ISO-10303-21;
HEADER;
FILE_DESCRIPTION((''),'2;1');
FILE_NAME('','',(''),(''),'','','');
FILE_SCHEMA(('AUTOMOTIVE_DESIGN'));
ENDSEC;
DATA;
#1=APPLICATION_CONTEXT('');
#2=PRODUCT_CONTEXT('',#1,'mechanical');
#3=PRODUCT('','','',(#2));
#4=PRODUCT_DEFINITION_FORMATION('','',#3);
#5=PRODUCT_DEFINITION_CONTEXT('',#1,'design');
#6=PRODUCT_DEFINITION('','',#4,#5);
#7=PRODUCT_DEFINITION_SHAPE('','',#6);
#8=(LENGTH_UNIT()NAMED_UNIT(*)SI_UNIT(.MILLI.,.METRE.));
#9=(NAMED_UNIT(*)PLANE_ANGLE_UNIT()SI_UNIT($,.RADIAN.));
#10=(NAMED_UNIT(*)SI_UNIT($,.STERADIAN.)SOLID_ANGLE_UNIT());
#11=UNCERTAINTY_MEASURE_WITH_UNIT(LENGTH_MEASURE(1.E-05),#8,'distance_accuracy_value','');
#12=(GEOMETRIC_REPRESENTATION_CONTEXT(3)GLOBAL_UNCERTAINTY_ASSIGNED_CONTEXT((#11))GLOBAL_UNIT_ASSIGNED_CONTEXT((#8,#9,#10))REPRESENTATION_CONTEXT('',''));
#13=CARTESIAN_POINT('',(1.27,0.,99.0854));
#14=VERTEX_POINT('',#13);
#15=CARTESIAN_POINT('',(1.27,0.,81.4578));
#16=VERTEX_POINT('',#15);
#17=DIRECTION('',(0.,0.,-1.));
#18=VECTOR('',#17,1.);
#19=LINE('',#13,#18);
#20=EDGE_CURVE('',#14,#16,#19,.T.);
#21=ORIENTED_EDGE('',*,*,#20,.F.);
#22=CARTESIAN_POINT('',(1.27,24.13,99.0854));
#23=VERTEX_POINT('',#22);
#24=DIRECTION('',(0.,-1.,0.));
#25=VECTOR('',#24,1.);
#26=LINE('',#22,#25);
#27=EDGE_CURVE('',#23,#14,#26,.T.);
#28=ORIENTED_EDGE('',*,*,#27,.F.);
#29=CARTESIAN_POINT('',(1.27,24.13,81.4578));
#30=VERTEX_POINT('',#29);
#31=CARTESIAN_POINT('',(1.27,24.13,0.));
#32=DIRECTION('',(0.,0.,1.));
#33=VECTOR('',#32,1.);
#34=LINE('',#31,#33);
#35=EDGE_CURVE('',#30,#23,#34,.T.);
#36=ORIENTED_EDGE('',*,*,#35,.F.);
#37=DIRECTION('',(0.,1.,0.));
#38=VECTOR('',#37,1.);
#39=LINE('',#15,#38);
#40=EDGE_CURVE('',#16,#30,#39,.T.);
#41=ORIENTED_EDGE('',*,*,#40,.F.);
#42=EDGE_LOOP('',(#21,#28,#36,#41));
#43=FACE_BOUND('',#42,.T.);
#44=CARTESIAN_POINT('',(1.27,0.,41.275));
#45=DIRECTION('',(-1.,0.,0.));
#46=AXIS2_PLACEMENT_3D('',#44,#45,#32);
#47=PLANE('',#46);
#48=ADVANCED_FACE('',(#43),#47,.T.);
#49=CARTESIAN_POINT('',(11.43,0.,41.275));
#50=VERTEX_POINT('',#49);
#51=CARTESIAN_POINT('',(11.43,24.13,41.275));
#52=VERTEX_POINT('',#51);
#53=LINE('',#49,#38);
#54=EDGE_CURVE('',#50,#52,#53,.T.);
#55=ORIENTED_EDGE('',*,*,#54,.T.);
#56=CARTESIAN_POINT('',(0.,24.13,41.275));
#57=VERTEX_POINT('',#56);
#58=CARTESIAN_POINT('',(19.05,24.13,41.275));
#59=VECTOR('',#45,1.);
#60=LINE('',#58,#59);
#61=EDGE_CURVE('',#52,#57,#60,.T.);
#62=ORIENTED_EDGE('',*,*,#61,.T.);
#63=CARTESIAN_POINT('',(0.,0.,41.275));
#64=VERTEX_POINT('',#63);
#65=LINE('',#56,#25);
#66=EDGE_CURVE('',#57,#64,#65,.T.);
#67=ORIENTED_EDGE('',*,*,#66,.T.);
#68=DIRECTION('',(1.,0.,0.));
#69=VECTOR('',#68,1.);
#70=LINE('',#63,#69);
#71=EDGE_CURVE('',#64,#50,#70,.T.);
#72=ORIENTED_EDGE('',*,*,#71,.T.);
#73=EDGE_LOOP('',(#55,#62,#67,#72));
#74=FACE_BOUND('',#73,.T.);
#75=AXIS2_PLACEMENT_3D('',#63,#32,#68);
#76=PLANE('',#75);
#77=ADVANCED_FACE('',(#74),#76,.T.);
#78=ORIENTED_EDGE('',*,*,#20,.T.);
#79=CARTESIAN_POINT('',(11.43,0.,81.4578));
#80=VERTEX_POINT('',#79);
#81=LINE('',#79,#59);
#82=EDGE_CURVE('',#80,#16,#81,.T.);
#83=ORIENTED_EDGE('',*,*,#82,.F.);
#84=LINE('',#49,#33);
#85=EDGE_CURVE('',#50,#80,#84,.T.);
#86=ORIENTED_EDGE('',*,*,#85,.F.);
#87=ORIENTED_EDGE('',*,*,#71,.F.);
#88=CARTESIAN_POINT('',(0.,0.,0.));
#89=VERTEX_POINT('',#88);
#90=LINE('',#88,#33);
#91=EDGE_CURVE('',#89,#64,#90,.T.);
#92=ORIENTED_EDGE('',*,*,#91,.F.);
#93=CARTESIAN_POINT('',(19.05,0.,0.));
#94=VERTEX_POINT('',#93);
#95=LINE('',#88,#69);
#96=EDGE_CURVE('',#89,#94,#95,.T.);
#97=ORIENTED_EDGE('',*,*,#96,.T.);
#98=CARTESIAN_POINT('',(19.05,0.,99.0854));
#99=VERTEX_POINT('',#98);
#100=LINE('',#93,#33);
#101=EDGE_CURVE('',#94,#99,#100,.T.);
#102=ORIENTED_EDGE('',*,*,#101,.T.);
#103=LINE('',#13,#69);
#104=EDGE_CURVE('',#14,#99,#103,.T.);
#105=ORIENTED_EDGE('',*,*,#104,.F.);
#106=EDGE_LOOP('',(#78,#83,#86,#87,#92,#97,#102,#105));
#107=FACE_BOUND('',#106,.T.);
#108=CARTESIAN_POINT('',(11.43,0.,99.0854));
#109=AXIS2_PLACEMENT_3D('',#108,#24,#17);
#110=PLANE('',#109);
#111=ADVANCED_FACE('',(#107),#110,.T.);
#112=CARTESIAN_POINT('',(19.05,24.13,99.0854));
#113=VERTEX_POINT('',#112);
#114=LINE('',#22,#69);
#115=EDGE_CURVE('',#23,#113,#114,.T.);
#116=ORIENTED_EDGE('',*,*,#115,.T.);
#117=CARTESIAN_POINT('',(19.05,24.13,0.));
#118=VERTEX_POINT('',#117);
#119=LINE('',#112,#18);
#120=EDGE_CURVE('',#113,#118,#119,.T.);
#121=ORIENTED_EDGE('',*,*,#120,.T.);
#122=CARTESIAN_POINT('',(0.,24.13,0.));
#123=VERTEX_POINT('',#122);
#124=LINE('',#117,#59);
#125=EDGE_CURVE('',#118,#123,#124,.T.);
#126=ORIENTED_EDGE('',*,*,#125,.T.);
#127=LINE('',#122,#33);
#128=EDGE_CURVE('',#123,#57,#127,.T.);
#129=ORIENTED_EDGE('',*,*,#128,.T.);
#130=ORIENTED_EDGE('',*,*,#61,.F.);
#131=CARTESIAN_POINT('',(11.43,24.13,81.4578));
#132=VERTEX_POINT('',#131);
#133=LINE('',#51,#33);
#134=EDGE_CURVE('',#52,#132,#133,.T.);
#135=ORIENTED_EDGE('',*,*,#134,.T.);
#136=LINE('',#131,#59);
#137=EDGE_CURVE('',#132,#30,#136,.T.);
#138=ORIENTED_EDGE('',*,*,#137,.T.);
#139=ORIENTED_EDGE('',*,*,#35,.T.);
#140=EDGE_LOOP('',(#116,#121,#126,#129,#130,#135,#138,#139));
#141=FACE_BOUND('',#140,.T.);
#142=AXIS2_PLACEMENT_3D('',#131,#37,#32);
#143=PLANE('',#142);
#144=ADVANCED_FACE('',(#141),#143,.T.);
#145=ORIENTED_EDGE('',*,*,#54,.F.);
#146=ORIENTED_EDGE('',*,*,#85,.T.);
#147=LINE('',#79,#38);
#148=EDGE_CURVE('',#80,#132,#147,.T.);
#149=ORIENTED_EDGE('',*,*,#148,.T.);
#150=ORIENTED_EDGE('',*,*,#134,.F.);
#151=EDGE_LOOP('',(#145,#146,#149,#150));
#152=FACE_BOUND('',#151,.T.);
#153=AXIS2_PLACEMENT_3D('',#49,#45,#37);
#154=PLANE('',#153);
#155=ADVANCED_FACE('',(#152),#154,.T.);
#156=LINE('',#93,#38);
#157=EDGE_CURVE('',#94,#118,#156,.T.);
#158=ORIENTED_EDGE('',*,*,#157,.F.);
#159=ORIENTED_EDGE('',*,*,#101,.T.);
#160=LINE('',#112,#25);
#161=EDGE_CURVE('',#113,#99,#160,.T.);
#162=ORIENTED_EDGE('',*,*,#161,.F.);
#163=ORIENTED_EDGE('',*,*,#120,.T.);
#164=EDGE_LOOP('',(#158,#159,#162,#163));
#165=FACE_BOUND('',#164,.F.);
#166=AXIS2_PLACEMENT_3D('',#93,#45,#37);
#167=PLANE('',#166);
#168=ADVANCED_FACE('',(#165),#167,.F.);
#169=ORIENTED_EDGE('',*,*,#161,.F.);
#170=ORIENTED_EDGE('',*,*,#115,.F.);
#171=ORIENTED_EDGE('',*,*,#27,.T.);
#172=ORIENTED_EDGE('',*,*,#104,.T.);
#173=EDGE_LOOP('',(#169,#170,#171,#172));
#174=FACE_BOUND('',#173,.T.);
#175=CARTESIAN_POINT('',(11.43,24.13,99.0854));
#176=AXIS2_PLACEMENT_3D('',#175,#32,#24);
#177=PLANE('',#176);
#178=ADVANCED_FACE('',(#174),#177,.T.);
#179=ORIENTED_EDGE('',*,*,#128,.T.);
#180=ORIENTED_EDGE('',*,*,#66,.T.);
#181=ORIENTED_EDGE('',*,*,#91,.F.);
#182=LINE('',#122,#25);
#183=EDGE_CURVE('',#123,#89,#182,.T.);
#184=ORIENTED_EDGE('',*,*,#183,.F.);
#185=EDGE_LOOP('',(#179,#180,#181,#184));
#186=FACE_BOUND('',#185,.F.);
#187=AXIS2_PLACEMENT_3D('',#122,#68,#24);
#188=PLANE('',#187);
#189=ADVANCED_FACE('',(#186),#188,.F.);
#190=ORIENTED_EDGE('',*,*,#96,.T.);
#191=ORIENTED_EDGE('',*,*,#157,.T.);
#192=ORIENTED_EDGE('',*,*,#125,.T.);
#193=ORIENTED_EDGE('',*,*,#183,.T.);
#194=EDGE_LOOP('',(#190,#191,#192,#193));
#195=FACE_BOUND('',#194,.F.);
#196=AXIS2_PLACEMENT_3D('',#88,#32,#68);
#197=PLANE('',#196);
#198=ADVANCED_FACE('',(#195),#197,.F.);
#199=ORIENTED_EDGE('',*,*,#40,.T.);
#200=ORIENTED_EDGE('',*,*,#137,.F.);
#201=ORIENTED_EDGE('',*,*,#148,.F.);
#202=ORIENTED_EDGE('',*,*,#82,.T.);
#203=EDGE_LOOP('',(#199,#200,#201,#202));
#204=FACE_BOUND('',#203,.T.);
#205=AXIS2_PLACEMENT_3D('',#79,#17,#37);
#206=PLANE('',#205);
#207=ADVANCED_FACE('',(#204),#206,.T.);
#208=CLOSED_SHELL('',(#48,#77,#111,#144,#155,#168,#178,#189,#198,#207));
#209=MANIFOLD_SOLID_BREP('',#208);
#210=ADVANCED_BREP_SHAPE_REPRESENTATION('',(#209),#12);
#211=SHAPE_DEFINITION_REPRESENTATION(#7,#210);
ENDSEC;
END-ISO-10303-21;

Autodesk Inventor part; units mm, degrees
ref_plane "YZ Plane" through (0, 0, 0) normal (1, 0, 0) x (0, 1, 0)
ref_plane "XZ Plane" through (0, 0, 0) normal (0, 1, 0) x (-1, 0, 0)
ref_plane "XY Plane" through (0, 0, 0) normal (0, 0, 1) x (1, 0, 0)
sketch "Sketch1" plane through (0, 0, 0) normal (0, 0, 1) x (1, 0, 0)
  line L0 (0, 0) -> (19.05, 0)
  line L1 (19.05, 0) -> (19.05, 24.13)
  line L2 (19.05, 24.13) -> (0, 24.13)
  line L3 (0, 24.13) -> (0, 0)
  dimension "d0" = 19.05
  dimension "d1" = 24.13
extrude "Extrusion1" add sketch "Sketch1" along normal blind 41.275
sketch "Sketch3" plane through (0, 0, 41.275) normal (0, 0, 1) x (1, 0, 0)
  line L0 (19.05, 24.13) -> (0, 24.13) projected
  line L1 (19.05, 0) -> (11.43, 0)
  line L2 (11.43, 0) -> (11.43, 24.13)
  line L3 (11.43, 24.13) -> (19.05, 24.13)
  line L4 (19.05, 24.13) -> (19.05, 0)
  line L5 (19.05, 0) -> (19.05, 24.13) projected
  point P0 (0, 0)
  dimension "d4" = 24.13
  dimension "d5" = 0
  dimension "d6" = 7.62
extrude "Extrusion2" add sketch "Sketch3" along normal blind 57.8104
sketch "Sketch4" plane through (11.43, 0, 41.275) normal (-1, 0, 0) x (0, 0, 1)
  line L0 (-41.275, 24.13) -> (57.8104, 24.13) projected
  line L1 (57.8104, 0) -> (40.1828, 0)
  line L2 (40.1828, 0) -> (40.1828, 24.13)
  line L3 (40.1828, 24.13) -> (57.8104, 24.13)
  line L4 (57.8104, 24.13) -> (57.8104, 0)
  line L5 (57.8104, 24.13) -> (57.8104, 0) projected
  point P0 (-41.275, 0)
  dimension "d9" = 24.13
  dimension "d10" = 0
  dimension "d11" = 17.6276
extrude "Extrusion3" add sketch "Sketch4" along normal blind 10.16
properties part number "Claw base"
